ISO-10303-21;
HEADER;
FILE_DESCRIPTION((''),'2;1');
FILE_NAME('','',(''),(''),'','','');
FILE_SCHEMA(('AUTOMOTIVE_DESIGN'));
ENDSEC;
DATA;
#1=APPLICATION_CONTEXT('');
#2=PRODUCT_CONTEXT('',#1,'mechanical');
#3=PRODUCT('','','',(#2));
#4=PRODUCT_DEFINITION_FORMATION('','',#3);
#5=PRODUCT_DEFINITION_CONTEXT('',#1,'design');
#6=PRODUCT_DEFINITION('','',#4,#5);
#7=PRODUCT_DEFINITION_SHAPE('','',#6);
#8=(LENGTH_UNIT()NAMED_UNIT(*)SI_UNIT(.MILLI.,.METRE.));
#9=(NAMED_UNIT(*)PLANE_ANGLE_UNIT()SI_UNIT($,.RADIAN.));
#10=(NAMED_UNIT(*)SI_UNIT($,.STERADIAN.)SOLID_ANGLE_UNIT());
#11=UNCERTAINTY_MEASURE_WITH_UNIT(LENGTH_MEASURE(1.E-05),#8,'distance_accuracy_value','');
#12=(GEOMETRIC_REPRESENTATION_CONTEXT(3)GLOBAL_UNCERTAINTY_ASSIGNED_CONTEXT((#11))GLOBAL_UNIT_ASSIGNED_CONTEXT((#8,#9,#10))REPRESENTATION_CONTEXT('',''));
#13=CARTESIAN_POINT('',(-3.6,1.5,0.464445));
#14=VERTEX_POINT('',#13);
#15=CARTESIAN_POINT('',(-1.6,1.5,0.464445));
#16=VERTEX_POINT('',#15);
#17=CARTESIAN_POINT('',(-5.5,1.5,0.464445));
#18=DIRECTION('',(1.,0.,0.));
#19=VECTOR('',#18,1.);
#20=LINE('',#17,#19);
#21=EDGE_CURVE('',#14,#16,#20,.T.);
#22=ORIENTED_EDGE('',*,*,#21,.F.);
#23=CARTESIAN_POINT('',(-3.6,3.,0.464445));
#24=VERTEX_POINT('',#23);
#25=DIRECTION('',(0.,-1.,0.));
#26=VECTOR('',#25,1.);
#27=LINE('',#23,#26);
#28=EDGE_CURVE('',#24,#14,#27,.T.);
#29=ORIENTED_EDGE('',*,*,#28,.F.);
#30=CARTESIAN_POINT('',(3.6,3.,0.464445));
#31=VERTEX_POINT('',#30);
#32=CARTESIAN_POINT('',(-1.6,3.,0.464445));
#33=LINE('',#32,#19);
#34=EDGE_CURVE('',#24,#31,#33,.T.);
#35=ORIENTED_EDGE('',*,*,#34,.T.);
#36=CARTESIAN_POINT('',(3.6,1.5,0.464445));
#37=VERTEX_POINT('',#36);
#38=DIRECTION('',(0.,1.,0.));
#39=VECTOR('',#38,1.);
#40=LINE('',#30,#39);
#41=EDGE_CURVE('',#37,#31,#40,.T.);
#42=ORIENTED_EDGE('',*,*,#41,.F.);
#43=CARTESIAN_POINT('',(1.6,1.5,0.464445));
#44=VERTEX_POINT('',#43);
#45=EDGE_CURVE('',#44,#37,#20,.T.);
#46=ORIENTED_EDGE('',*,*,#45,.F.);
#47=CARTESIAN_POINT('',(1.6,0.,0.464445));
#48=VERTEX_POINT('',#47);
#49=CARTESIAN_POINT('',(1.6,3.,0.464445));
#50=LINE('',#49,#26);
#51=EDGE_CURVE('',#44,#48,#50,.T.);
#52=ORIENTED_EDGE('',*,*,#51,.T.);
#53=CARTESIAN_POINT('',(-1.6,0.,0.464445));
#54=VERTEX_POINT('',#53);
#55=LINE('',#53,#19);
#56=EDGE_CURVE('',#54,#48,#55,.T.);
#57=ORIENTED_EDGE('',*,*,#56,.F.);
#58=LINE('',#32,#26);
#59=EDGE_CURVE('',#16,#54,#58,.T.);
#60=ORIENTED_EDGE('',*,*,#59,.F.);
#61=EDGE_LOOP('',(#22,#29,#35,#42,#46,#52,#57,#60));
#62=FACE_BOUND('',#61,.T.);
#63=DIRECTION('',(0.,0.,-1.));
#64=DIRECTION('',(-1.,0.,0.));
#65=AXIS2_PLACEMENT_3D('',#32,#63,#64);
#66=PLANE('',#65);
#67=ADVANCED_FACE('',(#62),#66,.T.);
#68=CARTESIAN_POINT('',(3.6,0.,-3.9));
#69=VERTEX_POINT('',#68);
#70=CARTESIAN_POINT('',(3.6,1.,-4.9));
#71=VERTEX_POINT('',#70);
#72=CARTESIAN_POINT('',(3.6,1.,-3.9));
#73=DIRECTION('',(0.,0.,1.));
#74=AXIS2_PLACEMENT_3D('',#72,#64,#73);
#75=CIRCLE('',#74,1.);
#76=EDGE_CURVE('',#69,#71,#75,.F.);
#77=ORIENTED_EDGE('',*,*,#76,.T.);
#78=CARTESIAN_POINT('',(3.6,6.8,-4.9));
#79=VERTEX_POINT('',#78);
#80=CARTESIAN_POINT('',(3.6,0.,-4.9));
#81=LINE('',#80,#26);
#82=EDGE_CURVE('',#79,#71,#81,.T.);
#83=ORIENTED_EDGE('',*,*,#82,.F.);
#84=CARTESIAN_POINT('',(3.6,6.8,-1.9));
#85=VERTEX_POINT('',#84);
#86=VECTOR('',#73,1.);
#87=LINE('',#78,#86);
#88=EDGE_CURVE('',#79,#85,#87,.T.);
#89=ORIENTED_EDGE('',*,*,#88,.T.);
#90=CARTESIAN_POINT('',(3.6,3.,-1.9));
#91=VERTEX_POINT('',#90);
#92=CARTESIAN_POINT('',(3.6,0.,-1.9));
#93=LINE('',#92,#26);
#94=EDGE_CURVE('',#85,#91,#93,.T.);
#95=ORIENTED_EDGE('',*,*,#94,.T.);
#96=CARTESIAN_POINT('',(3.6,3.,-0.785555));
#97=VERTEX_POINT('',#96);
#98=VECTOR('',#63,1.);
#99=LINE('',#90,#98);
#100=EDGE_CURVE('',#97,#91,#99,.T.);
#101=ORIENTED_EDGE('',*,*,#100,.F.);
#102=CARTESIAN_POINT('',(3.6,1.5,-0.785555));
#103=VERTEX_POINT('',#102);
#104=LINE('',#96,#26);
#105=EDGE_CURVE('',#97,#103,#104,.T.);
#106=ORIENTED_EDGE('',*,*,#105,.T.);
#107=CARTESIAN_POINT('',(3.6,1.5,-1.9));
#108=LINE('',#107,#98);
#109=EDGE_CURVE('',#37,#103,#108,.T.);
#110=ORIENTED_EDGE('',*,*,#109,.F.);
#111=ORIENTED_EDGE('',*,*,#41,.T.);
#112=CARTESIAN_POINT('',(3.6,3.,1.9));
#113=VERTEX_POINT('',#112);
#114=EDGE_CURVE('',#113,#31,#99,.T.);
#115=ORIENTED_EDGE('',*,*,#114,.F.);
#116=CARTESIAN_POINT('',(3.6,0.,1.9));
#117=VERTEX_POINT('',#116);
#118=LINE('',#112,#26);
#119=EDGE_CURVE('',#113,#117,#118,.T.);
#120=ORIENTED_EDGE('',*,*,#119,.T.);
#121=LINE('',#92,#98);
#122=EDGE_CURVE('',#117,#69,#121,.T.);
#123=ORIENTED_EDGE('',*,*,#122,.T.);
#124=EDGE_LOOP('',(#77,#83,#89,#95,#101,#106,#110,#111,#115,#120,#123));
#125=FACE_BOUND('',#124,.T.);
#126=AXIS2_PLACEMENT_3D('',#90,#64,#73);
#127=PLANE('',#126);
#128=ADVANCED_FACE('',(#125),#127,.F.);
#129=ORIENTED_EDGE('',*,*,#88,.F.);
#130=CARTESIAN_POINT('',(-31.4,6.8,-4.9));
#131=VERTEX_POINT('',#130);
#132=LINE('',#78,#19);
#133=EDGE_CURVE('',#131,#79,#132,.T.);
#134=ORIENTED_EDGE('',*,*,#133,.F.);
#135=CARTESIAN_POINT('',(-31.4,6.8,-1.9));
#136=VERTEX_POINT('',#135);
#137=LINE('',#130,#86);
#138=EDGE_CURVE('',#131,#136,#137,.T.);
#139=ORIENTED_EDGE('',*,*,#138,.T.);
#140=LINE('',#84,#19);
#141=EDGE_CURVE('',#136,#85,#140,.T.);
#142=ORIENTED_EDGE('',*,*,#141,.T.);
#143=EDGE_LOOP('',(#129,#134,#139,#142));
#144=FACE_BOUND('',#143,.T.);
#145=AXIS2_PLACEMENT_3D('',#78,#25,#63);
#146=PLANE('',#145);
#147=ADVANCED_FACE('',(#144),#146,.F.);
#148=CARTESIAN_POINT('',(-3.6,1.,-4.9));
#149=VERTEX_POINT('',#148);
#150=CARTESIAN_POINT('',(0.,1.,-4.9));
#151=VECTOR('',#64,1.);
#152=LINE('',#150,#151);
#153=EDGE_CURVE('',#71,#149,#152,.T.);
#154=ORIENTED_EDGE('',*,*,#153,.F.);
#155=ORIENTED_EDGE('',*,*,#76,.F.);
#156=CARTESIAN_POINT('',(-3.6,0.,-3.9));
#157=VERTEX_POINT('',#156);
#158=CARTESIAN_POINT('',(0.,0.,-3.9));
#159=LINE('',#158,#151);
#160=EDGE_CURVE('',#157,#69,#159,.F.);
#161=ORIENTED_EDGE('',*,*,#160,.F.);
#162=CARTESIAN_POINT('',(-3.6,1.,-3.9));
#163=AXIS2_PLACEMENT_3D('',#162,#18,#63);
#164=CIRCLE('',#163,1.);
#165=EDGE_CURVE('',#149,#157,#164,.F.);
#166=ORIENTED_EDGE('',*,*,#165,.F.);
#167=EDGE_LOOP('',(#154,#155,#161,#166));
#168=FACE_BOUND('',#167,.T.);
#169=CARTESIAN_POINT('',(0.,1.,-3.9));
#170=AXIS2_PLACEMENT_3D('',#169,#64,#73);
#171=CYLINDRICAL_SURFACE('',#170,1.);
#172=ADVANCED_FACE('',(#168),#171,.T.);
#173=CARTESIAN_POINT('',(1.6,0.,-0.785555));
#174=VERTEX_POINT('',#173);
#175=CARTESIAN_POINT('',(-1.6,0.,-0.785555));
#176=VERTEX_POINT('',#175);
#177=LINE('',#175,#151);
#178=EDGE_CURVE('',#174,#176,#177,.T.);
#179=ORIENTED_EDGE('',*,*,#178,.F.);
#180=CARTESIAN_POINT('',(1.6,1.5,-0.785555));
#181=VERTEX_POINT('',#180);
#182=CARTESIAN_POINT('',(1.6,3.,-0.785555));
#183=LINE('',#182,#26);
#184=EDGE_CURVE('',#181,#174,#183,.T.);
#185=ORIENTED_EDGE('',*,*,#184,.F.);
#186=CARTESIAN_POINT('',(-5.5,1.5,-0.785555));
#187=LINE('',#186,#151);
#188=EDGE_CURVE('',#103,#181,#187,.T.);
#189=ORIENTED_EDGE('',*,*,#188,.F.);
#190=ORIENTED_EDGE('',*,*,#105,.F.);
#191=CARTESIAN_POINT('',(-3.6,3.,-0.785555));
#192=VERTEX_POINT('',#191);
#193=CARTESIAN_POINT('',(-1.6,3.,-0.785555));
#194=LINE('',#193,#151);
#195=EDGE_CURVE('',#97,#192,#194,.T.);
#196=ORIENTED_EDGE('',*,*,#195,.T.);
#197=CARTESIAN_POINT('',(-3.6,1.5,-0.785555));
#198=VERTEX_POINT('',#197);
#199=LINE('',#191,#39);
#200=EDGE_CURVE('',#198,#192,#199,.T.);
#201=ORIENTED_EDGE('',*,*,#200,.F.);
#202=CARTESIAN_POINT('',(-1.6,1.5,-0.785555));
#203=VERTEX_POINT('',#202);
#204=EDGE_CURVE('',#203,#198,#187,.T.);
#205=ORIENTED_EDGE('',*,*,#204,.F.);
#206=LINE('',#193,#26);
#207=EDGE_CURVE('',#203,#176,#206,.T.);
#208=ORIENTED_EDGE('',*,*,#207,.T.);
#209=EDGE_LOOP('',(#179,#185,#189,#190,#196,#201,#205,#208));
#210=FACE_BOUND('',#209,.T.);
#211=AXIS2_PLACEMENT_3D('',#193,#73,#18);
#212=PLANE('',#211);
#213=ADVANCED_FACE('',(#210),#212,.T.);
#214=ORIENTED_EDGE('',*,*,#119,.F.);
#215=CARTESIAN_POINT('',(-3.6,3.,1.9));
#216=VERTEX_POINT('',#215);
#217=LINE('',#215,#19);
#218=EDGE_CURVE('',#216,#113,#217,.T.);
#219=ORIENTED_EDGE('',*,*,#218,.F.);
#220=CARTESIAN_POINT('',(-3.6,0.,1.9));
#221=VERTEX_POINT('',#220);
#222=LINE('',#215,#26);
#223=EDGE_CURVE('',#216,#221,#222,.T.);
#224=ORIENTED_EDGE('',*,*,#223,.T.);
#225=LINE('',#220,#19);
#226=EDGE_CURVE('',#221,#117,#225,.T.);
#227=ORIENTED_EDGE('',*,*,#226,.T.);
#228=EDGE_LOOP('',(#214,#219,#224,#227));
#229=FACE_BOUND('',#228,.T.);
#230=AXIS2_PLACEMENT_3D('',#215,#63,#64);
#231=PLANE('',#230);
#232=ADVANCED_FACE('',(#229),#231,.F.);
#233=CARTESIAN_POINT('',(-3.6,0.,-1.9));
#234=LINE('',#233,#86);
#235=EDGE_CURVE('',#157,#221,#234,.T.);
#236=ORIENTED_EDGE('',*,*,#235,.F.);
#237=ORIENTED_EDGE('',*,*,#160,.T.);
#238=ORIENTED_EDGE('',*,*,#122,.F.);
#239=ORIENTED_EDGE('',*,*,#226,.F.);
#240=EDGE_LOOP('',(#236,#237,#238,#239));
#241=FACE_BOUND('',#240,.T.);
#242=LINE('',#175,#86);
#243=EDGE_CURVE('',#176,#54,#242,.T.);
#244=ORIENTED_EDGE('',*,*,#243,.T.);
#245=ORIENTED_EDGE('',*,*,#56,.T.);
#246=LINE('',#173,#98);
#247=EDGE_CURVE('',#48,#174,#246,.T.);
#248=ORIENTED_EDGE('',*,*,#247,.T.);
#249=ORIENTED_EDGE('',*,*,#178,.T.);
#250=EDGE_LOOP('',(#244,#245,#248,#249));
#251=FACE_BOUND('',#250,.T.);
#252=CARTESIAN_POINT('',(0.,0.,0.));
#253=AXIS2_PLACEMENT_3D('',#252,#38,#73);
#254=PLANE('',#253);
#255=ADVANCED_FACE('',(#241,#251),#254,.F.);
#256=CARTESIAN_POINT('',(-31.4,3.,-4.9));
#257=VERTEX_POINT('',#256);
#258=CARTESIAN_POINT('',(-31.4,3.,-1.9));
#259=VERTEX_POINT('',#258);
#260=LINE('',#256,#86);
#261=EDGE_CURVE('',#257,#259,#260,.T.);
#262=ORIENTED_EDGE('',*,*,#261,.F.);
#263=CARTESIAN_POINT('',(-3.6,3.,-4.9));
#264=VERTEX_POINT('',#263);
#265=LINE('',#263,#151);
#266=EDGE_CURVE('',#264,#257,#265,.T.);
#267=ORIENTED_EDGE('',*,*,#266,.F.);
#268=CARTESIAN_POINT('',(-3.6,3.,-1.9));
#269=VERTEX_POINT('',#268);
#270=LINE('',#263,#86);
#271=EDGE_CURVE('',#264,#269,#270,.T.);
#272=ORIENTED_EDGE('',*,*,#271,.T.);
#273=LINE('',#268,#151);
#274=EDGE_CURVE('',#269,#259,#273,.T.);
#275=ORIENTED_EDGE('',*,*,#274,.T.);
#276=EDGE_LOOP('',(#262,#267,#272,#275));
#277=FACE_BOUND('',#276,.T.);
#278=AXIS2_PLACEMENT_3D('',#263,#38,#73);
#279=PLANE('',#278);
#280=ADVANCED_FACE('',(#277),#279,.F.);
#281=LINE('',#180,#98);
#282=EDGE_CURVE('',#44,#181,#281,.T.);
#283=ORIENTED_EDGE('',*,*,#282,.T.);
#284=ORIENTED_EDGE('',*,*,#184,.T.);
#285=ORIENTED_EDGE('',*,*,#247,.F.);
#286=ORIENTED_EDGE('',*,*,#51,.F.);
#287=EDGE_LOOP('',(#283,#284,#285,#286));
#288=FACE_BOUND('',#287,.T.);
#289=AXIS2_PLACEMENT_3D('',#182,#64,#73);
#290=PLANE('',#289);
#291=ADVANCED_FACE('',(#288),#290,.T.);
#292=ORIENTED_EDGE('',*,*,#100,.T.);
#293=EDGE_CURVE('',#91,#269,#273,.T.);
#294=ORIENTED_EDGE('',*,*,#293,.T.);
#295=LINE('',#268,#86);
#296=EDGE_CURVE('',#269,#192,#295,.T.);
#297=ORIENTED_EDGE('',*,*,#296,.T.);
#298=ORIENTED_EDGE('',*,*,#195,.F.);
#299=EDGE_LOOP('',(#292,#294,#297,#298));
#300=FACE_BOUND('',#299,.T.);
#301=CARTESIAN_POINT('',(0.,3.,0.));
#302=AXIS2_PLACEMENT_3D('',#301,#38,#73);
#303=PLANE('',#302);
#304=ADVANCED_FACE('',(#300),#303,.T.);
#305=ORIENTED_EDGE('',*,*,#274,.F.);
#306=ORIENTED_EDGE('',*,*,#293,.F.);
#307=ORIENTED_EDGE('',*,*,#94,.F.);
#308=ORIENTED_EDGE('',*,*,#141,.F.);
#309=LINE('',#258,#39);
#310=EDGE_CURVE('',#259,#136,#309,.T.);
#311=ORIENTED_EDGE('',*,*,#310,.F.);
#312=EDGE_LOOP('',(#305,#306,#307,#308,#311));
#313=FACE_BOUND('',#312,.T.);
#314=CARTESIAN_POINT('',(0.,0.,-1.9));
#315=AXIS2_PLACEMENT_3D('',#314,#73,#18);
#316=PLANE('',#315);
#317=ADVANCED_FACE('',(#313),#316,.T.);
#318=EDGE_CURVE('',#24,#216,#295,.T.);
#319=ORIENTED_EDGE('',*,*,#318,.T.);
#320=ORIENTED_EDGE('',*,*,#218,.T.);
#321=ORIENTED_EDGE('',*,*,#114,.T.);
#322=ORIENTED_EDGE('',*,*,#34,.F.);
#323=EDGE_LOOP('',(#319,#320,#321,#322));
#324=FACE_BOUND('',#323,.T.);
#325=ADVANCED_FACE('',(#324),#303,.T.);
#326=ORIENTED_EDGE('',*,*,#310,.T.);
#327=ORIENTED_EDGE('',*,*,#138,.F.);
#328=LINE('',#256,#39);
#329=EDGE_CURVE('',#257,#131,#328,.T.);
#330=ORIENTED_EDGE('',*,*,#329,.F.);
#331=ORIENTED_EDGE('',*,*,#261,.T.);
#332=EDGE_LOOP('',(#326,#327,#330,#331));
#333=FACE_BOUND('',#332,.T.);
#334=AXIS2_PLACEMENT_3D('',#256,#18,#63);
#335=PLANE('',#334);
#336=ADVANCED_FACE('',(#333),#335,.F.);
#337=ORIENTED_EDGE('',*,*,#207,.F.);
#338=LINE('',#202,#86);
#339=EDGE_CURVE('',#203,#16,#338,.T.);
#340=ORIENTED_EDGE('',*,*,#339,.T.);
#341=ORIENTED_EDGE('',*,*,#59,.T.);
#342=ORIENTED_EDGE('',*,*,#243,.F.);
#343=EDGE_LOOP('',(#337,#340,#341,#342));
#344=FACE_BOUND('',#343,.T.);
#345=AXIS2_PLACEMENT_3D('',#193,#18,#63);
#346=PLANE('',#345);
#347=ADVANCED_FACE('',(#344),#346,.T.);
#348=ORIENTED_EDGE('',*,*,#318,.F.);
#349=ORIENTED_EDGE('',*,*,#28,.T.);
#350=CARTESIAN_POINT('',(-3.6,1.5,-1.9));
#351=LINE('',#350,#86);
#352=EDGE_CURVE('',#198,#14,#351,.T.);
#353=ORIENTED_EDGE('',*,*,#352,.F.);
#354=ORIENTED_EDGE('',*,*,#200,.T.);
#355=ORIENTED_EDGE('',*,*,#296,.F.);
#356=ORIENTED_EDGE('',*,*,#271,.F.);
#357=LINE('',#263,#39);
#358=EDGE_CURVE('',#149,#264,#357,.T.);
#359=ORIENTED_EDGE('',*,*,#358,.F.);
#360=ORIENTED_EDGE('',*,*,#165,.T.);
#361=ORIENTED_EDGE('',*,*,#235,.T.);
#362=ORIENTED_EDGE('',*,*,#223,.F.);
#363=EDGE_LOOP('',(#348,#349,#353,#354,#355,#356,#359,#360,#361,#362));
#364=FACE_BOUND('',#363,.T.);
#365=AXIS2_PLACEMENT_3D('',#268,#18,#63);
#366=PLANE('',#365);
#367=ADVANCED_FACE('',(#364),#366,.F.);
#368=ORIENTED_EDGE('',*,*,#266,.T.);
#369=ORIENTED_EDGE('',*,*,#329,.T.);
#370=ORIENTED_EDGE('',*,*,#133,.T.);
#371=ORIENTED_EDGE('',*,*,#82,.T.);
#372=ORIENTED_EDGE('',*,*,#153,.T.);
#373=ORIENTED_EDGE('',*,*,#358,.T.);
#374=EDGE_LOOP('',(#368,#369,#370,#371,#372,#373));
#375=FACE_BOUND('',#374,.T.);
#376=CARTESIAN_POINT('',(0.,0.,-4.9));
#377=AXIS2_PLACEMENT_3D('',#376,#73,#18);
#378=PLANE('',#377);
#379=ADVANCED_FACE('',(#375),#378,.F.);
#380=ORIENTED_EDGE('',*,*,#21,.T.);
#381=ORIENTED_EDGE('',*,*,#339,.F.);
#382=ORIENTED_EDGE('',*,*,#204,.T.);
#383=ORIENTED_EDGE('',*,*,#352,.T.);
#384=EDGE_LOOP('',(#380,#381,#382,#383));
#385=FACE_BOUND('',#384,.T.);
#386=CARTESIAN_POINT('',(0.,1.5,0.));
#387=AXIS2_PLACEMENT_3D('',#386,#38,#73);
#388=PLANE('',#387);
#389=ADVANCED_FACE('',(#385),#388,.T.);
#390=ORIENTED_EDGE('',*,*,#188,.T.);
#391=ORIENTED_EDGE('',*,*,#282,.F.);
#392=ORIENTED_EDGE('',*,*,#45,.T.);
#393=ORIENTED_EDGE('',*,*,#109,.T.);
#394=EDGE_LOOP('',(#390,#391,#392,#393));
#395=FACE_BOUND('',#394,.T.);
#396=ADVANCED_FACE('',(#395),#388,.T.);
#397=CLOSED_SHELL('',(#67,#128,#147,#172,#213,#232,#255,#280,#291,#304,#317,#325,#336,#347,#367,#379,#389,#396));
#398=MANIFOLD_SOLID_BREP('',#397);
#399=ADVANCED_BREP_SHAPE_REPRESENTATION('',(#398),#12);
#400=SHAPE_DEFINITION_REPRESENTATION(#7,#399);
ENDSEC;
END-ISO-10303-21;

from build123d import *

# Parameters (mm, degrees)
SKETCH1_W           = 7.2
SKETCH1_H           = 3.8
SKETCH1_W_2         = 3.2
SKETCH1_H_2         = 1.25
BOSS_EXTRUDE1_DEPTH = 3
SKETCH6_W           = 13
SKETCH6_H           = 1.25
CUT_EXTRUDE2_DEPTH  = 1.5
BOSS_EXTRUDE2_DEPTH = 3
FILLET1_R           = 1


with BuildPart() as part:
    # Sketch1 → Boss-Extrude1 (new body)
    with BuildSketch(Plane(origin=(0, 0, 0), x_dir=(1, 0, 0), z_dir=(0, 1, 0))):
        Rectangle(SKETCH1_W, SKETCH1_H)
        with Locations((0, 0.16055458)):
            Rectangle(SKETCH1_W_2, SKETCH1_H_2, mode=Mode.SUBTRACT)
    extrude(amount=BOSS_EXTRUDE1_DEPTH)

    # Sketch6 → Cut-Extrude2 (cut)
    with BuildSketch(Plane(origin=(0, 3, 0), x_dir=(1, 0, 0), z_dir=(0, 1, 0))):
        with Locations((1, 0.16055458)):
            Rectangle(SKETCH6_W, SKETCH6_H)
    extrude(amount=-CUT_EXTRUDE2_DEPTH, mode=Mode.SUBTRACT)

    # Sketch7 → Boss-Extrude2 (add)
    with BuildSketch(Plane(origin=(0, 0, -1.9), x_dir=(-1, 0, 0), z_dir=(0, 0, -1))):
        Polygon((-3.6, 0), (3.6, 0), (3.6, 3), (31.4, 3), (31.4, 6.8), (-3.6, 6.8), align=None)
    extrude(amount=BOSS_EXTRUDE2_DEPTH)

    # Fillet1
    fillet1_edges = [part.edges().sort_by_distance(p)[0] for p in [
        (0, 0, -4.9),
    ]]
    fillet(fillet1_edges, radius=FILLET1_R)


solid = part.part
